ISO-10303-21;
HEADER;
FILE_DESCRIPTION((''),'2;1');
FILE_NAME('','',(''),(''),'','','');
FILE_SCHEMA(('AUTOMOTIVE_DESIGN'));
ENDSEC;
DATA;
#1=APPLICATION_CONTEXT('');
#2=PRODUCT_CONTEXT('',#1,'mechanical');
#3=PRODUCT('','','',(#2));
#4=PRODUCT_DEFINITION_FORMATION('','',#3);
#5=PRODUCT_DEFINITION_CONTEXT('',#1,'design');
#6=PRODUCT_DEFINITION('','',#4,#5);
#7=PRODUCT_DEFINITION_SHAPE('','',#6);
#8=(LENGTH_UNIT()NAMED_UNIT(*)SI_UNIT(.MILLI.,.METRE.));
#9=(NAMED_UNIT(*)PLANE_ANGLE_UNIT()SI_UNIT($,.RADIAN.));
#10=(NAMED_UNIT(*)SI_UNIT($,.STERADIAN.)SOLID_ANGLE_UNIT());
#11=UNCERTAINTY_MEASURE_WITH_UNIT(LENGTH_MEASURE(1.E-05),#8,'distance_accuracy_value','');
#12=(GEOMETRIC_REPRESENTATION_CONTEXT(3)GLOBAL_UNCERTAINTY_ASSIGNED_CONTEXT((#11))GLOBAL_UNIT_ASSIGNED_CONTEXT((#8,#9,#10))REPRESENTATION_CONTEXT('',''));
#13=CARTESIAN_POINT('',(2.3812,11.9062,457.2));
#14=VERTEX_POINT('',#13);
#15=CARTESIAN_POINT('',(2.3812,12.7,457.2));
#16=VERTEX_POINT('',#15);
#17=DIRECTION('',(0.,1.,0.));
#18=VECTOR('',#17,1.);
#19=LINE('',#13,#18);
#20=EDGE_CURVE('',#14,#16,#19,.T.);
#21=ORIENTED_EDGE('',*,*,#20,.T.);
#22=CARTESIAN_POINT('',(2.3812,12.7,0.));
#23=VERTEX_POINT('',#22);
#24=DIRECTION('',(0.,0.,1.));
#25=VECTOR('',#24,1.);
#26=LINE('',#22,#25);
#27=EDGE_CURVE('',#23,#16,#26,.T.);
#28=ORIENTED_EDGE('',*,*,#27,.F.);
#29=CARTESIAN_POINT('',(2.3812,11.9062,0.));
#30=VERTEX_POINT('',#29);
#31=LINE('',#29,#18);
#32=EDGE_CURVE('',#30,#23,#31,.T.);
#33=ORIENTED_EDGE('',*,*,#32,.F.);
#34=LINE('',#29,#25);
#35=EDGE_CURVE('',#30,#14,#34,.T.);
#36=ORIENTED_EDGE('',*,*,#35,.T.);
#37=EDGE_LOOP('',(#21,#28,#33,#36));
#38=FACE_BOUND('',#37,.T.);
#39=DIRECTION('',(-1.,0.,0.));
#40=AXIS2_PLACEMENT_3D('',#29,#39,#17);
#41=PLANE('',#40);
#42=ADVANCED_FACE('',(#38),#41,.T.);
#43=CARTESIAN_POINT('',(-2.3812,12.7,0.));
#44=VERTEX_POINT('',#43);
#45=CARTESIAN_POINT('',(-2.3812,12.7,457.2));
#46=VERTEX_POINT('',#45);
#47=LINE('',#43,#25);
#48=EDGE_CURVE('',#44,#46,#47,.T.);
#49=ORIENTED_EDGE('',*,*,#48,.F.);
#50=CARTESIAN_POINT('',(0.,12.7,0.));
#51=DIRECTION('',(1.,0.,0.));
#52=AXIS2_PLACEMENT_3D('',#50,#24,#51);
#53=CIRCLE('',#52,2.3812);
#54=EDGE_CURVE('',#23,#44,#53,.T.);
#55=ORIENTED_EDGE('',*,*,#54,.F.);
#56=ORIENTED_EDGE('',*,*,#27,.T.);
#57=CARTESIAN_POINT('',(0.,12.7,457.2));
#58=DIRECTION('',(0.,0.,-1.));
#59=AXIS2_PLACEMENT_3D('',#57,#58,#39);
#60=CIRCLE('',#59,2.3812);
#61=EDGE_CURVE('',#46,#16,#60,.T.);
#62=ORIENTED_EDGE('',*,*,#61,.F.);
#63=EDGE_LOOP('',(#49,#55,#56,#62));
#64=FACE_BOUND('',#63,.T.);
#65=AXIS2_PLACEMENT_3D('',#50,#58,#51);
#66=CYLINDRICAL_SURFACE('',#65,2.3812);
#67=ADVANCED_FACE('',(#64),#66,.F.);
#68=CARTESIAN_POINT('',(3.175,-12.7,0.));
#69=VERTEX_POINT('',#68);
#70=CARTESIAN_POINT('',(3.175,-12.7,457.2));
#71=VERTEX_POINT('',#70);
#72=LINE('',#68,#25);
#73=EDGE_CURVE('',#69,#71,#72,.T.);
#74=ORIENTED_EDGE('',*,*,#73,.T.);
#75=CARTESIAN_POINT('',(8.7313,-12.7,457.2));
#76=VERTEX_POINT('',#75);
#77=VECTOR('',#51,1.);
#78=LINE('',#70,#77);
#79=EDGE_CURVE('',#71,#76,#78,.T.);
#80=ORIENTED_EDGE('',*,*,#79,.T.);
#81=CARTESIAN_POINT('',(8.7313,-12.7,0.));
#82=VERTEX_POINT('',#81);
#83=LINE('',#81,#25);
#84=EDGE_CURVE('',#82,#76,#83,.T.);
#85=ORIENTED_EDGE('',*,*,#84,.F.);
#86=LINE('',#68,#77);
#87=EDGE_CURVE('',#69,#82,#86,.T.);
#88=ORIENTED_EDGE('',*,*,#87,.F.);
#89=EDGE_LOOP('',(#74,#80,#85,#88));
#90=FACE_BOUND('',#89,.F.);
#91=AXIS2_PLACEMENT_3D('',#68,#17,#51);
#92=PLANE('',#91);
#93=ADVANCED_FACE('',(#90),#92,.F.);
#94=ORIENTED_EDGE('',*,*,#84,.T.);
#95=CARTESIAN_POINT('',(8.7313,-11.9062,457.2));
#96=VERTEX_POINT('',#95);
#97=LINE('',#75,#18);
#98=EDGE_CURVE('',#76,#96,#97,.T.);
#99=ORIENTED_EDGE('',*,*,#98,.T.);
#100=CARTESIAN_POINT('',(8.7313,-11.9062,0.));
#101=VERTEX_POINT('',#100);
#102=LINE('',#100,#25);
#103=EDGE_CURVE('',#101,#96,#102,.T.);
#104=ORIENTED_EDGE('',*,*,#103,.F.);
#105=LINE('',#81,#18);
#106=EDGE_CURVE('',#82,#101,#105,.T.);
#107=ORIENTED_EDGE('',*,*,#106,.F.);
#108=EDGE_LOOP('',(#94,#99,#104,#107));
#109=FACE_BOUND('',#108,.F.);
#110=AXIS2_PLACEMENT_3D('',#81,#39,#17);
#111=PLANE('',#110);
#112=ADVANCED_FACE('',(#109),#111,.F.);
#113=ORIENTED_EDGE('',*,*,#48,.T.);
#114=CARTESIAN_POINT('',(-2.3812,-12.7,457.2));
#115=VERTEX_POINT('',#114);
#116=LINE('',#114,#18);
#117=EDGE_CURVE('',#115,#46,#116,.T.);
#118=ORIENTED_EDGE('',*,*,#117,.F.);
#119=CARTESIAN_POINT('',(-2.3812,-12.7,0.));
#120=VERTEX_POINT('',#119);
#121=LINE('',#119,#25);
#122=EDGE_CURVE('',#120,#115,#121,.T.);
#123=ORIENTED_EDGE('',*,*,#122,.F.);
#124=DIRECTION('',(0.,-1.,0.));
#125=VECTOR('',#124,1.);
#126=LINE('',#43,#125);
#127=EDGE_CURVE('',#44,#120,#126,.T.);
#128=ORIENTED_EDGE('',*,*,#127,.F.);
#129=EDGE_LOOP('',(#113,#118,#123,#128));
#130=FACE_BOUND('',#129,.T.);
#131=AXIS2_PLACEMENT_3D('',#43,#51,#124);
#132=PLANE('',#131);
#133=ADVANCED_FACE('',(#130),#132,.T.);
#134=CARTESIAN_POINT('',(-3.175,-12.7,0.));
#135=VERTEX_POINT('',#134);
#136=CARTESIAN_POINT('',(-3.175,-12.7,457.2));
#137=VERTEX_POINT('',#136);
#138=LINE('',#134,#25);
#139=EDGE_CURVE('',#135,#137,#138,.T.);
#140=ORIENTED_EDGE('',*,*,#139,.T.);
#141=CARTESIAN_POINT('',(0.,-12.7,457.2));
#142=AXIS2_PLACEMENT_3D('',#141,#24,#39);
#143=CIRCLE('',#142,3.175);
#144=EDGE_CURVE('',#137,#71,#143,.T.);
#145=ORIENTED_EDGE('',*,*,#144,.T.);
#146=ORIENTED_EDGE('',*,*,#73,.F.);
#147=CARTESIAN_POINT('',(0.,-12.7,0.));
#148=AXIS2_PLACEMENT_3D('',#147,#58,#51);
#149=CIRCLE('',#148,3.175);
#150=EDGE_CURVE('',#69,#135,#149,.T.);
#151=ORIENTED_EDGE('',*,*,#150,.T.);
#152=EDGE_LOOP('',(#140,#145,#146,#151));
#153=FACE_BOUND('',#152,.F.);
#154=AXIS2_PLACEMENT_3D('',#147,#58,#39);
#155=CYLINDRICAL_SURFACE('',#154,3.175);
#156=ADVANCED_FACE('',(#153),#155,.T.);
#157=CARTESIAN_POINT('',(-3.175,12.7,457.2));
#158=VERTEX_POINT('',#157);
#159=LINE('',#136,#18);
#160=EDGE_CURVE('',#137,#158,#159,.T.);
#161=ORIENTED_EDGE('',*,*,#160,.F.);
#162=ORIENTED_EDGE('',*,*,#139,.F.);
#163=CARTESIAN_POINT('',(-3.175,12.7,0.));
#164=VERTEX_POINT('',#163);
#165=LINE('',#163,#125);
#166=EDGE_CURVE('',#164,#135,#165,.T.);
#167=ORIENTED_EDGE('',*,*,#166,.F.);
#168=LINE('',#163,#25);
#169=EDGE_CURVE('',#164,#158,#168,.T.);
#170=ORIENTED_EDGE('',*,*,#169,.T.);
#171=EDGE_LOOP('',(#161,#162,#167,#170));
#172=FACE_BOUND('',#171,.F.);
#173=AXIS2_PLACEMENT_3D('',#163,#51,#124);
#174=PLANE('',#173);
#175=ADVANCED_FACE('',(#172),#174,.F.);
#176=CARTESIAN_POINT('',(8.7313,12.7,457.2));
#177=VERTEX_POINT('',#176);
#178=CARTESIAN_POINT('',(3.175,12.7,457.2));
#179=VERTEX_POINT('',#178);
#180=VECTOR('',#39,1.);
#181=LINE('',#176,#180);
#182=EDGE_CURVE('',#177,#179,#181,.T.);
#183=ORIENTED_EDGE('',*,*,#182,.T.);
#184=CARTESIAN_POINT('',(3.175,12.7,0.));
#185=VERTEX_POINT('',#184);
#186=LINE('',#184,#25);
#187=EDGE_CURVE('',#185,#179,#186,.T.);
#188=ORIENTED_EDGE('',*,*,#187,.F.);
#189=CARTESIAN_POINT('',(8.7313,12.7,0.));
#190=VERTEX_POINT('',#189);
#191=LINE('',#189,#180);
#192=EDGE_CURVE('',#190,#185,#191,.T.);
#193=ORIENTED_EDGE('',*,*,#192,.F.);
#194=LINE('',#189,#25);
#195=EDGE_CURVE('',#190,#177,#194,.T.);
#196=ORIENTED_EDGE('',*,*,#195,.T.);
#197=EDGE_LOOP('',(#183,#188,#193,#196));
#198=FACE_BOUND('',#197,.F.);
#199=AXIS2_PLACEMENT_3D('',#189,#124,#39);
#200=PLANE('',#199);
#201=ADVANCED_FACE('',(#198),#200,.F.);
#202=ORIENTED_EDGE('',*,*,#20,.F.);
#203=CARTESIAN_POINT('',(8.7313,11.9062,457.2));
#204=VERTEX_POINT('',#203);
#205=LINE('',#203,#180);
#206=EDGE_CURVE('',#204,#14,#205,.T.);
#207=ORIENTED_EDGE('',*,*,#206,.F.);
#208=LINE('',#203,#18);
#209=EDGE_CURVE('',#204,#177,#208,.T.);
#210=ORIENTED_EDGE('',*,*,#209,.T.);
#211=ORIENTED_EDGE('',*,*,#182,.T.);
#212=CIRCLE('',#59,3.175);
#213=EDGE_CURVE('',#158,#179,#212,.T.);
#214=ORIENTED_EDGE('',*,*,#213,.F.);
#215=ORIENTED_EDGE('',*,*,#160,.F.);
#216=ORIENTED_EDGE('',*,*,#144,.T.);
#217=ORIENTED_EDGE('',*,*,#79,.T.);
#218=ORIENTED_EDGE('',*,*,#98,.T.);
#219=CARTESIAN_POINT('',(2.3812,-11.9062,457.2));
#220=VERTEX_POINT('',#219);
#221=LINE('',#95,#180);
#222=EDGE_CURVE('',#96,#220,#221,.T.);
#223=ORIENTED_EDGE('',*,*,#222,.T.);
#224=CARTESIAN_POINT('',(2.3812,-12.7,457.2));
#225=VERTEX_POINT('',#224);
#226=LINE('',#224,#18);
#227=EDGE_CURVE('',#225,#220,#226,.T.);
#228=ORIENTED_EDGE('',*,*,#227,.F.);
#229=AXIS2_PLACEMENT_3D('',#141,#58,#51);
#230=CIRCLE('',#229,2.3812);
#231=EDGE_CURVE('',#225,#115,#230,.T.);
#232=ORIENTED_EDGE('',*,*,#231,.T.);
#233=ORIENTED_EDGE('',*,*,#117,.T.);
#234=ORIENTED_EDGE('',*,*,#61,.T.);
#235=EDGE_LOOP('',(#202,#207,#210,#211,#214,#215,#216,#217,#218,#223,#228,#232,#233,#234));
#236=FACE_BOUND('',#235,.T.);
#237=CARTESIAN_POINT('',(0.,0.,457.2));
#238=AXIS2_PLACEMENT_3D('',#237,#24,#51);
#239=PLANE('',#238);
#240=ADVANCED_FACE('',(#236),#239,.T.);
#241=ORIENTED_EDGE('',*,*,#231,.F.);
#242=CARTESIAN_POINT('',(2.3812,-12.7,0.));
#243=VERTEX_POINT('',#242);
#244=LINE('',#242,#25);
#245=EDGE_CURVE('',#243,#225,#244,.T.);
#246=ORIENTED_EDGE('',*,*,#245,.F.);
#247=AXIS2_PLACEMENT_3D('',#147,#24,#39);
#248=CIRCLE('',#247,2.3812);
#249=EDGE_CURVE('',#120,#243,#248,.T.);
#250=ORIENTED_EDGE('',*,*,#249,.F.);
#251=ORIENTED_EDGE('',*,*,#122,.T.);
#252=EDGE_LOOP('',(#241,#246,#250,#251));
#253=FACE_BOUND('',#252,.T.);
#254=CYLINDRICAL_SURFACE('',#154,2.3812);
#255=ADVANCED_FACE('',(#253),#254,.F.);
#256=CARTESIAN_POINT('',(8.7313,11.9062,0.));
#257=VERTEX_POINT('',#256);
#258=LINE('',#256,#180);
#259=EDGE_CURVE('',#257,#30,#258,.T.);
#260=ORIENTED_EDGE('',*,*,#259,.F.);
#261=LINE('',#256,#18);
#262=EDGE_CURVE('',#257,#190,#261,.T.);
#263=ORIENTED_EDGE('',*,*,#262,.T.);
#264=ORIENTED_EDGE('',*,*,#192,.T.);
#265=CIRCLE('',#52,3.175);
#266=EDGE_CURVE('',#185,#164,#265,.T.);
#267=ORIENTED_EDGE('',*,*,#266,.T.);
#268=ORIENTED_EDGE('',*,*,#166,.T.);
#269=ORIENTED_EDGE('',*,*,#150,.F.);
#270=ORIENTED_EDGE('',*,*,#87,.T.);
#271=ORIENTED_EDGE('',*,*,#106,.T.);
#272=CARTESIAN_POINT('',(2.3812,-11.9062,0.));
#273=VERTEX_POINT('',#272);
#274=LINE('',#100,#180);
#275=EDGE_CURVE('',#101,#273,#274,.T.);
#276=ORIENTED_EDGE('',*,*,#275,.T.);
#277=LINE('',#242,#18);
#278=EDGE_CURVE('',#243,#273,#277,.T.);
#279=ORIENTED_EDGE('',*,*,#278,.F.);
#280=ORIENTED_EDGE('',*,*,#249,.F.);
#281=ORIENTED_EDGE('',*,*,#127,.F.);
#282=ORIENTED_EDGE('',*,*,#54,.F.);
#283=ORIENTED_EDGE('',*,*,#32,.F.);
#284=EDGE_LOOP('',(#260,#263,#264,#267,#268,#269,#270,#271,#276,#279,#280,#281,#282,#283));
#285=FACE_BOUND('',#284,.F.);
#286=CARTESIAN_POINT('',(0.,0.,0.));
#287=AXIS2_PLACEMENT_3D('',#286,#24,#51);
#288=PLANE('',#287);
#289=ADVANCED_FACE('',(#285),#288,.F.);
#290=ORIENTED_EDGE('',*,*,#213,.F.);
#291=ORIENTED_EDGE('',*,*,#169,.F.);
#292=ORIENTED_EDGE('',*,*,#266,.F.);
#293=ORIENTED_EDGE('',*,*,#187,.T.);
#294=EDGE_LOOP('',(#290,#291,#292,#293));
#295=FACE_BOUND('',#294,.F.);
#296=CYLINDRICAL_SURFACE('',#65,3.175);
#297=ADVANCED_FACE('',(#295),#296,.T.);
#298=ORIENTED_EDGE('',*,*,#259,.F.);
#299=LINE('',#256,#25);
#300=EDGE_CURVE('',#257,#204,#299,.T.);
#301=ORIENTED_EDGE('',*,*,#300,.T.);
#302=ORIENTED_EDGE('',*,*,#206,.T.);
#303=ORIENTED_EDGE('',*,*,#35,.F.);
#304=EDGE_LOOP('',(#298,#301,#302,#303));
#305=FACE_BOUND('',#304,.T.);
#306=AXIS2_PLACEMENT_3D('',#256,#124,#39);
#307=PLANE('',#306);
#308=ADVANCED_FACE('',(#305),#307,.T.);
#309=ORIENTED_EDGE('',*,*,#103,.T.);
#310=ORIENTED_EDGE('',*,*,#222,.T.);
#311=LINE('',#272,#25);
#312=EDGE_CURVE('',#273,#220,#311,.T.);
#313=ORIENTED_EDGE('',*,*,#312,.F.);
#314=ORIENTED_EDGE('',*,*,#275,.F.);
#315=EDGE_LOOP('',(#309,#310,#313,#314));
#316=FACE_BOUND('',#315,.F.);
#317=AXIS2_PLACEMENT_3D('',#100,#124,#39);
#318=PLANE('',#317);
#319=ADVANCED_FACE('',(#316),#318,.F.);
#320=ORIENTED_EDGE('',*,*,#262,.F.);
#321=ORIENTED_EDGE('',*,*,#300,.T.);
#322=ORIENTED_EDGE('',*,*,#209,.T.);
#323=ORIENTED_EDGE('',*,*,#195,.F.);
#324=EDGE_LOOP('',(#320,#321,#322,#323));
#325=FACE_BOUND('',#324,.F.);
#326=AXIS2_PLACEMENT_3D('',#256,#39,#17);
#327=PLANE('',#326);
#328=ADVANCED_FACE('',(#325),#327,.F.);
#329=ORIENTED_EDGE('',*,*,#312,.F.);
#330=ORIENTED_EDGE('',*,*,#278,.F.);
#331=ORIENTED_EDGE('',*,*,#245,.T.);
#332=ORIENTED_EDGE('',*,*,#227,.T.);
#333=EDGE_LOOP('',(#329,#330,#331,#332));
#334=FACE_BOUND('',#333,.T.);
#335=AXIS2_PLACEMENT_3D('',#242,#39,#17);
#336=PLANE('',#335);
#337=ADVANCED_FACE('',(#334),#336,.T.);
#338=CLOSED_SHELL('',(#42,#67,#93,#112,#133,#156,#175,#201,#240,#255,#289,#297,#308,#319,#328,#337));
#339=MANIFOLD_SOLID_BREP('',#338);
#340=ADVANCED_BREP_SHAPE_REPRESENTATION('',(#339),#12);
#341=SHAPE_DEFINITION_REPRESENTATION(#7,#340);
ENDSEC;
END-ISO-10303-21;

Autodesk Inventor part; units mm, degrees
ref_plane "YZ Plane" through (0, 0, 0) normal (1, 0, 0) x (0, 1, 0)
ref_plane "XZ Plane" through (0, 0, 0) normal (0, 1, 0) x (-1, 0, 0)
ref_plane "XY Plane" through (0, 0, 0) normal (0, 0, 1) x (1, 0, 0)
sketch "Sketch1" plane through (0, 0, 0) normal (0, 0, 1) x (1, 0, 0)
  line L0 (-5.5563, 0) -> (11.1125, 0) projected
  line L1 (0, -22.225) -> (0, 22.225) projected
  line L2 (8.7313, 12.7) -> (3.175, 12.7)
  line L3 (3.175, 12.7) -> (3.175, -12.7) construction
  line L4 (3.175, -12.7) -> (8.7313, -12.7)
  line L5 (-3.175, 12.7) -> (-3.175, -12.7)
  arc A0 (3.175, 12.7) -> (-3.175, 12.7) centre (0, 12.7) ccw
  arc A1 (-3.175, -12.7) -> (3.175, -12.7) centre (0, -12.7) ccw
  line L6 (8.7313, 12.7) -> (8.7313, -12.7) construction
  arc A2 (2.3812, 12.7) -> (-2.3812, 12.7) centre (0, 12.7) ccw
  line L7 (-2.3812, 12.7) -> (-2.3812, -12.7)
  arc A3 (-2.3812, -12.7) -> (2.3812, -12.7) centre (0, -12.7) ccw
  line L8 (8.7313, -11.9062) -> (2.3812, -11.9062)
  line L9 (8.7313, 11.9062) -> (2.3812, 11.9062)
  line L10 (8.7313, -12.7) -> (8.7313, -11.9062)
  line L11 (8.7313, 11.9062) -> (8.7313, 12.7)
  line L12 (2.3812, 11.9062) -> (2.3812, 12.7)
  line L13 (2.3812, -12.7) -> (2.3812, -11.9062)
  point P0 (0, 0)
  point P1 (3.175, 0)
  point P2 (-3.175, 0)
  dimension "d0" = 25.4
  dimension "d1" = 11.9062
  dimension "d2" = 25.4
  dimension "d3" = 5.5563
  dimension "d4" = 0.7937
  dimension "d5" = 0.7937
extrude "Extrusion1" add sketch "Sketch1" along normal blind 457.2 contours L5 A0 L1 A2 L7 L0 | L0 L7 A3 L1 A1 L5 | A0 L2 L11 L9 L12 A2 L1 | L1 A3 L13 L8 L10 L4 A1
properties part number "slide inner" material "Steel"
